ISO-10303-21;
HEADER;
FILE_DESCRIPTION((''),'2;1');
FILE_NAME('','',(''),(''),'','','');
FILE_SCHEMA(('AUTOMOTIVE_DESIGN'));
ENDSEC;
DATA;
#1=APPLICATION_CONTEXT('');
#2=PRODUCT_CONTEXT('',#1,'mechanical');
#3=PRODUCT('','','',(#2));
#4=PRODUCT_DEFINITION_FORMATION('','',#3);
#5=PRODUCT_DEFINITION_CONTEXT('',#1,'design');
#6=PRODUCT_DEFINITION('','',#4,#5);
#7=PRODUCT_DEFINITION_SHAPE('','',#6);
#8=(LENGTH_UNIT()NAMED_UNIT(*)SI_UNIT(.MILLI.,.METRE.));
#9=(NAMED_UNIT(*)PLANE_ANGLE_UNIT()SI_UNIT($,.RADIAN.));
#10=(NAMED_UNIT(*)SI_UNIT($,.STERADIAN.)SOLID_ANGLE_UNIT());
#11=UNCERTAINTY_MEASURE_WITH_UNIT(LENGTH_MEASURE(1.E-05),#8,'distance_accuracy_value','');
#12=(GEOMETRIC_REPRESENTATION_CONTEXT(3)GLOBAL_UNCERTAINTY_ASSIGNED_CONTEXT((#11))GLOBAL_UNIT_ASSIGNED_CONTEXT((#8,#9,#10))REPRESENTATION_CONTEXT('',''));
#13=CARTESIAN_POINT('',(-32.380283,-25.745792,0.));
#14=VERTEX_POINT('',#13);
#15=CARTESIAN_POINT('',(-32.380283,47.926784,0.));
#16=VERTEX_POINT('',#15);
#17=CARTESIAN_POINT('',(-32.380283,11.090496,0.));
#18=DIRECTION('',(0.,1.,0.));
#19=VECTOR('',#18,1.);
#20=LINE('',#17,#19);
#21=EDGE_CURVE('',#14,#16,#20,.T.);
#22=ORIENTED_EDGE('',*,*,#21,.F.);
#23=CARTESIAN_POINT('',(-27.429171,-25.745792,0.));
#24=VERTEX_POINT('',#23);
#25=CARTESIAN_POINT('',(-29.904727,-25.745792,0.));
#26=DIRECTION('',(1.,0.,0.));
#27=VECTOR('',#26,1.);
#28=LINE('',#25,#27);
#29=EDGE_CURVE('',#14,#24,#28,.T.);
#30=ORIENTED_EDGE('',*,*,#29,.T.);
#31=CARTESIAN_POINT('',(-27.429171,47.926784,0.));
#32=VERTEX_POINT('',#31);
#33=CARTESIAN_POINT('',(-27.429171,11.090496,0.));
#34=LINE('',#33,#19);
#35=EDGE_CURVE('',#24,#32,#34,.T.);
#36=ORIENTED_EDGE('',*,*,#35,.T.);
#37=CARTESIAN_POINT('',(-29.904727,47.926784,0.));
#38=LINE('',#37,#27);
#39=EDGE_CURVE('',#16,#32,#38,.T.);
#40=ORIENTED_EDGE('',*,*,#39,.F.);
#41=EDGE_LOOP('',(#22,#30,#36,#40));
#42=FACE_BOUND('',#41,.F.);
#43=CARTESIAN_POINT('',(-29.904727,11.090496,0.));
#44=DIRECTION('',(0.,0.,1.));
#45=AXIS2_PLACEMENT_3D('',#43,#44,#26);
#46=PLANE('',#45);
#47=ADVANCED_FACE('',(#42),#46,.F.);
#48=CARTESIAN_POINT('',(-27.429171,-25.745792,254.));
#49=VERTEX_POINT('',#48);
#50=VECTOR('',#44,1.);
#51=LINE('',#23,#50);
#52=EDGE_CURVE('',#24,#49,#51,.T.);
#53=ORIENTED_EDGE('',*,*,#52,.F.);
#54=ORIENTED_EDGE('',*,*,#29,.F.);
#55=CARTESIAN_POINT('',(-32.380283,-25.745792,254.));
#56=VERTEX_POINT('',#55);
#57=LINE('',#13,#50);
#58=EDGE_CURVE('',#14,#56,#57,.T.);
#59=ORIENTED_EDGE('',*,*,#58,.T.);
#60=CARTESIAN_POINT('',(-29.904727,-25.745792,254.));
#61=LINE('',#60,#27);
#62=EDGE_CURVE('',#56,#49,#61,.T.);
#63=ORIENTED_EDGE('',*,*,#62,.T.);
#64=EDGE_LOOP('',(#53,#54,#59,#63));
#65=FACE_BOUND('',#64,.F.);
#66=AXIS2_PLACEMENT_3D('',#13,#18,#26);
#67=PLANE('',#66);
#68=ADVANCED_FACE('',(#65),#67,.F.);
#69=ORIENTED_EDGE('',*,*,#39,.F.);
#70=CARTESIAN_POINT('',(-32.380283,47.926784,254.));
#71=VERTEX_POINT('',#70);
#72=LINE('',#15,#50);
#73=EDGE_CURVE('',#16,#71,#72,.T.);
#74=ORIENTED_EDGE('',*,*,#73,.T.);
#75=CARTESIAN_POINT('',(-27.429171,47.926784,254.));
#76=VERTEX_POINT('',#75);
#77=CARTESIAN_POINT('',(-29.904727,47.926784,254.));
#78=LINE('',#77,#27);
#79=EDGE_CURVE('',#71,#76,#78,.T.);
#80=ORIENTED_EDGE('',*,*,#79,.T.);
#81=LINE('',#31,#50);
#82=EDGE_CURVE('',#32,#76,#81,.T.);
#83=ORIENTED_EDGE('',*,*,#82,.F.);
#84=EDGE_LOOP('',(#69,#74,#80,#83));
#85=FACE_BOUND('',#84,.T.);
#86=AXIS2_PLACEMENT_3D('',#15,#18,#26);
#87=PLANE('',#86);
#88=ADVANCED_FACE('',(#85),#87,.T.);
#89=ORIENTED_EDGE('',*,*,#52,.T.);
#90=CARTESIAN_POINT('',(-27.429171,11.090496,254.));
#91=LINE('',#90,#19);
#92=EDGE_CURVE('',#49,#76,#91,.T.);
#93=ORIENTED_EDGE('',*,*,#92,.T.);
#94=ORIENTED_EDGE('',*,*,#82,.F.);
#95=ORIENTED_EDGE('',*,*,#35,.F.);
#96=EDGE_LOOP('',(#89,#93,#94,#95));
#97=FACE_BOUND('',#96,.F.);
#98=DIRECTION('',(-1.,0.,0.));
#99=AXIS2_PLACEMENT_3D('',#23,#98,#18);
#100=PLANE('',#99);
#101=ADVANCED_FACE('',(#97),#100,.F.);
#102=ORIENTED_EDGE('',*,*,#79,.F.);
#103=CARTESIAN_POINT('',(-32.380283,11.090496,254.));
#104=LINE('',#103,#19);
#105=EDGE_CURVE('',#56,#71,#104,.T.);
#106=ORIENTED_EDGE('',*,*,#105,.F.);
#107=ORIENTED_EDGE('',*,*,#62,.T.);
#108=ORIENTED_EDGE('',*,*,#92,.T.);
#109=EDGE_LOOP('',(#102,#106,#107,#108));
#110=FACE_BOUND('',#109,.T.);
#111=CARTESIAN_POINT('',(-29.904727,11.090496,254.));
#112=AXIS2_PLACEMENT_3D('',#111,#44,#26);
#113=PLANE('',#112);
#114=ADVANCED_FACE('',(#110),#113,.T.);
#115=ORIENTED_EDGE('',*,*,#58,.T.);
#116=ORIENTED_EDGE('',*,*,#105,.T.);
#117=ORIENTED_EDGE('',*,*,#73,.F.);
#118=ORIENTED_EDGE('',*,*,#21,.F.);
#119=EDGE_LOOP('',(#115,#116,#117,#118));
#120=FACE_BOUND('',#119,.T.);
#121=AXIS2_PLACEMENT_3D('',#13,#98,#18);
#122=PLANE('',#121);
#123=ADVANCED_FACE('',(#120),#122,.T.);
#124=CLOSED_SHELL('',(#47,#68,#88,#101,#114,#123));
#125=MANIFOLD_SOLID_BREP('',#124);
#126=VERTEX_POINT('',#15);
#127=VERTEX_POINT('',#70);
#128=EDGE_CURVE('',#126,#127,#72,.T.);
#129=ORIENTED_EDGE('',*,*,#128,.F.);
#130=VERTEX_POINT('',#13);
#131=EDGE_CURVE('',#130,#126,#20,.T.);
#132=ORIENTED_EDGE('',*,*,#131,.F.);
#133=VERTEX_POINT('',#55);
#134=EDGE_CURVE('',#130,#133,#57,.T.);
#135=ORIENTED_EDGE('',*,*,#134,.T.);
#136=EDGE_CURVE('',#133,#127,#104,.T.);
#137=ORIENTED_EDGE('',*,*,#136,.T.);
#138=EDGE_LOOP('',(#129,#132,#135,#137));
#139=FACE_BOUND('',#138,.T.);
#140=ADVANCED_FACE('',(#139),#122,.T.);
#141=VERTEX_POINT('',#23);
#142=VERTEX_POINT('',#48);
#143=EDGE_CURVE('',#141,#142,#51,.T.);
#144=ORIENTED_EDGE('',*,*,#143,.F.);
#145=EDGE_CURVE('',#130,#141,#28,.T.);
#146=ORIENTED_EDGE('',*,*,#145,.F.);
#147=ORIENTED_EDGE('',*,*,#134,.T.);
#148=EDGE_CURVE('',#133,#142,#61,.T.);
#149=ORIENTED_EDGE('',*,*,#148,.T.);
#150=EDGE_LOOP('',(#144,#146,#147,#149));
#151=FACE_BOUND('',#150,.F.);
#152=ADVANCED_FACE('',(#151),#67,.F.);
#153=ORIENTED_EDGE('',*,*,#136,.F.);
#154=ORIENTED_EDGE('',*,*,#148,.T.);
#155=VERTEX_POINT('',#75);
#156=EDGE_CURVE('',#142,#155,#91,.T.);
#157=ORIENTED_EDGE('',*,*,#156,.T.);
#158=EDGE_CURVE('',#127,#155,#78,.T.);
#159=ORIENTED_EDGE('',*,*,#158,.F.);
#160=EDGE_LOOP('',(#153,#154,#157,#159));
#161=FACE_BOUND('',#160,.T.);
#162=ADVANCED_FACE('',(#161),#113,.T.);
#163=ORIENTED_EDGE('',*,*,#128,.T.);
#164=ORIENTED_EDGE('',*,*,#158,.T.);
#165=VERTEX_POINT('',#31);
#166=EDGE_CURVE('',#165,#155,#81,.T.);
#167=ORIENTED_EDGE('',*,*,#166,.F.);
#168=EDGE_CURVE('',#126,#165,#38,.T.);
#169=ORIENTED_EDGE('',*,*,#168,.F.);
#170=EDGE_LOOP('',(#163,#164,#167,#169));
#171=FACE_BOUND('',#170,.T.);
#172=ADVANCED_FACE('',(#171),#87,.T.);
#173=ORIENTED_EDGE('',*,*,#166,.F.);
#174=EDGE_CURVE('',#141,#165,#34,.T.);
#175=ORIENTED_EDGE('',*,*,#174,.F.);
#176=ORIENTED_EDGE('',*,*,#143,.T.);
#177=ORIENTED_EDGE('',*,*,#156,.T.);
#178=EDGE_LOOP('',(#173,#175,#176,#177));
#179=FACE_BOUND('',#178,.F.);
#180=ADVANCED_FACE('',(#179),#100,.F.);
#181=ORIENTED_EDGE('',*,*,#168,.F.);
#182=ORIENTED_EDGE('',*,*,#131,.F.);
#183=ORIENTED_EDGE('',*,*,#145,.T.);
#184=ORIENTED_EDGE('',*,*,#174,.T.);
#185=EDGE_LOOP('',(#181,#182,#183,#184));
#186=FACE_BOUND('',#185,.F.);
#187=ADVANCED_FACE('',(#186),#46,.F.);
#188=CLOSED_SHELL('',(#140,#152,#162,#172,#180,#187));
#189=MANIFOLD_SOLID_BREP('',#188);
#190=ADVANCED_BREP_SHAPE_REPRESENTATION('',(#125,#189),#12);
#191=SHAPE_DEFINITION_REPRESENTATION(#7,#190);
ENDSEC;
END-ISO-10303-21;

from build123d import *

# Parameters (mm, degrees)
F0_W     = 4.9511119723
F0_H     = 73.6725758761
F2_DEPTH = 254
F1_W     = 4.9511119723
F1_H     = 73.6725758761


with BuildPart() as f2:
    # F0 (on Top) → F2 (new body)
    with BuildSketch(Plane.XY):
        with Locations((-29.9047268927, 11.0904956236)):
            Rectangle(F0_W, F0_H)
    extrude(amount=F2_DEPTH)


with BuildPart() as f2b:
    # F1 (on face) → F2, piece 2 (new body)
    with BuildSketch(Plane.XY):
        with Locations((-29.9047268927, 11.0904956236)):
            Rectangle(F1_W, F1_H)
    extrude(amount=F2_DEPTH)


solid = Compound([f2.part, f2b.part])
